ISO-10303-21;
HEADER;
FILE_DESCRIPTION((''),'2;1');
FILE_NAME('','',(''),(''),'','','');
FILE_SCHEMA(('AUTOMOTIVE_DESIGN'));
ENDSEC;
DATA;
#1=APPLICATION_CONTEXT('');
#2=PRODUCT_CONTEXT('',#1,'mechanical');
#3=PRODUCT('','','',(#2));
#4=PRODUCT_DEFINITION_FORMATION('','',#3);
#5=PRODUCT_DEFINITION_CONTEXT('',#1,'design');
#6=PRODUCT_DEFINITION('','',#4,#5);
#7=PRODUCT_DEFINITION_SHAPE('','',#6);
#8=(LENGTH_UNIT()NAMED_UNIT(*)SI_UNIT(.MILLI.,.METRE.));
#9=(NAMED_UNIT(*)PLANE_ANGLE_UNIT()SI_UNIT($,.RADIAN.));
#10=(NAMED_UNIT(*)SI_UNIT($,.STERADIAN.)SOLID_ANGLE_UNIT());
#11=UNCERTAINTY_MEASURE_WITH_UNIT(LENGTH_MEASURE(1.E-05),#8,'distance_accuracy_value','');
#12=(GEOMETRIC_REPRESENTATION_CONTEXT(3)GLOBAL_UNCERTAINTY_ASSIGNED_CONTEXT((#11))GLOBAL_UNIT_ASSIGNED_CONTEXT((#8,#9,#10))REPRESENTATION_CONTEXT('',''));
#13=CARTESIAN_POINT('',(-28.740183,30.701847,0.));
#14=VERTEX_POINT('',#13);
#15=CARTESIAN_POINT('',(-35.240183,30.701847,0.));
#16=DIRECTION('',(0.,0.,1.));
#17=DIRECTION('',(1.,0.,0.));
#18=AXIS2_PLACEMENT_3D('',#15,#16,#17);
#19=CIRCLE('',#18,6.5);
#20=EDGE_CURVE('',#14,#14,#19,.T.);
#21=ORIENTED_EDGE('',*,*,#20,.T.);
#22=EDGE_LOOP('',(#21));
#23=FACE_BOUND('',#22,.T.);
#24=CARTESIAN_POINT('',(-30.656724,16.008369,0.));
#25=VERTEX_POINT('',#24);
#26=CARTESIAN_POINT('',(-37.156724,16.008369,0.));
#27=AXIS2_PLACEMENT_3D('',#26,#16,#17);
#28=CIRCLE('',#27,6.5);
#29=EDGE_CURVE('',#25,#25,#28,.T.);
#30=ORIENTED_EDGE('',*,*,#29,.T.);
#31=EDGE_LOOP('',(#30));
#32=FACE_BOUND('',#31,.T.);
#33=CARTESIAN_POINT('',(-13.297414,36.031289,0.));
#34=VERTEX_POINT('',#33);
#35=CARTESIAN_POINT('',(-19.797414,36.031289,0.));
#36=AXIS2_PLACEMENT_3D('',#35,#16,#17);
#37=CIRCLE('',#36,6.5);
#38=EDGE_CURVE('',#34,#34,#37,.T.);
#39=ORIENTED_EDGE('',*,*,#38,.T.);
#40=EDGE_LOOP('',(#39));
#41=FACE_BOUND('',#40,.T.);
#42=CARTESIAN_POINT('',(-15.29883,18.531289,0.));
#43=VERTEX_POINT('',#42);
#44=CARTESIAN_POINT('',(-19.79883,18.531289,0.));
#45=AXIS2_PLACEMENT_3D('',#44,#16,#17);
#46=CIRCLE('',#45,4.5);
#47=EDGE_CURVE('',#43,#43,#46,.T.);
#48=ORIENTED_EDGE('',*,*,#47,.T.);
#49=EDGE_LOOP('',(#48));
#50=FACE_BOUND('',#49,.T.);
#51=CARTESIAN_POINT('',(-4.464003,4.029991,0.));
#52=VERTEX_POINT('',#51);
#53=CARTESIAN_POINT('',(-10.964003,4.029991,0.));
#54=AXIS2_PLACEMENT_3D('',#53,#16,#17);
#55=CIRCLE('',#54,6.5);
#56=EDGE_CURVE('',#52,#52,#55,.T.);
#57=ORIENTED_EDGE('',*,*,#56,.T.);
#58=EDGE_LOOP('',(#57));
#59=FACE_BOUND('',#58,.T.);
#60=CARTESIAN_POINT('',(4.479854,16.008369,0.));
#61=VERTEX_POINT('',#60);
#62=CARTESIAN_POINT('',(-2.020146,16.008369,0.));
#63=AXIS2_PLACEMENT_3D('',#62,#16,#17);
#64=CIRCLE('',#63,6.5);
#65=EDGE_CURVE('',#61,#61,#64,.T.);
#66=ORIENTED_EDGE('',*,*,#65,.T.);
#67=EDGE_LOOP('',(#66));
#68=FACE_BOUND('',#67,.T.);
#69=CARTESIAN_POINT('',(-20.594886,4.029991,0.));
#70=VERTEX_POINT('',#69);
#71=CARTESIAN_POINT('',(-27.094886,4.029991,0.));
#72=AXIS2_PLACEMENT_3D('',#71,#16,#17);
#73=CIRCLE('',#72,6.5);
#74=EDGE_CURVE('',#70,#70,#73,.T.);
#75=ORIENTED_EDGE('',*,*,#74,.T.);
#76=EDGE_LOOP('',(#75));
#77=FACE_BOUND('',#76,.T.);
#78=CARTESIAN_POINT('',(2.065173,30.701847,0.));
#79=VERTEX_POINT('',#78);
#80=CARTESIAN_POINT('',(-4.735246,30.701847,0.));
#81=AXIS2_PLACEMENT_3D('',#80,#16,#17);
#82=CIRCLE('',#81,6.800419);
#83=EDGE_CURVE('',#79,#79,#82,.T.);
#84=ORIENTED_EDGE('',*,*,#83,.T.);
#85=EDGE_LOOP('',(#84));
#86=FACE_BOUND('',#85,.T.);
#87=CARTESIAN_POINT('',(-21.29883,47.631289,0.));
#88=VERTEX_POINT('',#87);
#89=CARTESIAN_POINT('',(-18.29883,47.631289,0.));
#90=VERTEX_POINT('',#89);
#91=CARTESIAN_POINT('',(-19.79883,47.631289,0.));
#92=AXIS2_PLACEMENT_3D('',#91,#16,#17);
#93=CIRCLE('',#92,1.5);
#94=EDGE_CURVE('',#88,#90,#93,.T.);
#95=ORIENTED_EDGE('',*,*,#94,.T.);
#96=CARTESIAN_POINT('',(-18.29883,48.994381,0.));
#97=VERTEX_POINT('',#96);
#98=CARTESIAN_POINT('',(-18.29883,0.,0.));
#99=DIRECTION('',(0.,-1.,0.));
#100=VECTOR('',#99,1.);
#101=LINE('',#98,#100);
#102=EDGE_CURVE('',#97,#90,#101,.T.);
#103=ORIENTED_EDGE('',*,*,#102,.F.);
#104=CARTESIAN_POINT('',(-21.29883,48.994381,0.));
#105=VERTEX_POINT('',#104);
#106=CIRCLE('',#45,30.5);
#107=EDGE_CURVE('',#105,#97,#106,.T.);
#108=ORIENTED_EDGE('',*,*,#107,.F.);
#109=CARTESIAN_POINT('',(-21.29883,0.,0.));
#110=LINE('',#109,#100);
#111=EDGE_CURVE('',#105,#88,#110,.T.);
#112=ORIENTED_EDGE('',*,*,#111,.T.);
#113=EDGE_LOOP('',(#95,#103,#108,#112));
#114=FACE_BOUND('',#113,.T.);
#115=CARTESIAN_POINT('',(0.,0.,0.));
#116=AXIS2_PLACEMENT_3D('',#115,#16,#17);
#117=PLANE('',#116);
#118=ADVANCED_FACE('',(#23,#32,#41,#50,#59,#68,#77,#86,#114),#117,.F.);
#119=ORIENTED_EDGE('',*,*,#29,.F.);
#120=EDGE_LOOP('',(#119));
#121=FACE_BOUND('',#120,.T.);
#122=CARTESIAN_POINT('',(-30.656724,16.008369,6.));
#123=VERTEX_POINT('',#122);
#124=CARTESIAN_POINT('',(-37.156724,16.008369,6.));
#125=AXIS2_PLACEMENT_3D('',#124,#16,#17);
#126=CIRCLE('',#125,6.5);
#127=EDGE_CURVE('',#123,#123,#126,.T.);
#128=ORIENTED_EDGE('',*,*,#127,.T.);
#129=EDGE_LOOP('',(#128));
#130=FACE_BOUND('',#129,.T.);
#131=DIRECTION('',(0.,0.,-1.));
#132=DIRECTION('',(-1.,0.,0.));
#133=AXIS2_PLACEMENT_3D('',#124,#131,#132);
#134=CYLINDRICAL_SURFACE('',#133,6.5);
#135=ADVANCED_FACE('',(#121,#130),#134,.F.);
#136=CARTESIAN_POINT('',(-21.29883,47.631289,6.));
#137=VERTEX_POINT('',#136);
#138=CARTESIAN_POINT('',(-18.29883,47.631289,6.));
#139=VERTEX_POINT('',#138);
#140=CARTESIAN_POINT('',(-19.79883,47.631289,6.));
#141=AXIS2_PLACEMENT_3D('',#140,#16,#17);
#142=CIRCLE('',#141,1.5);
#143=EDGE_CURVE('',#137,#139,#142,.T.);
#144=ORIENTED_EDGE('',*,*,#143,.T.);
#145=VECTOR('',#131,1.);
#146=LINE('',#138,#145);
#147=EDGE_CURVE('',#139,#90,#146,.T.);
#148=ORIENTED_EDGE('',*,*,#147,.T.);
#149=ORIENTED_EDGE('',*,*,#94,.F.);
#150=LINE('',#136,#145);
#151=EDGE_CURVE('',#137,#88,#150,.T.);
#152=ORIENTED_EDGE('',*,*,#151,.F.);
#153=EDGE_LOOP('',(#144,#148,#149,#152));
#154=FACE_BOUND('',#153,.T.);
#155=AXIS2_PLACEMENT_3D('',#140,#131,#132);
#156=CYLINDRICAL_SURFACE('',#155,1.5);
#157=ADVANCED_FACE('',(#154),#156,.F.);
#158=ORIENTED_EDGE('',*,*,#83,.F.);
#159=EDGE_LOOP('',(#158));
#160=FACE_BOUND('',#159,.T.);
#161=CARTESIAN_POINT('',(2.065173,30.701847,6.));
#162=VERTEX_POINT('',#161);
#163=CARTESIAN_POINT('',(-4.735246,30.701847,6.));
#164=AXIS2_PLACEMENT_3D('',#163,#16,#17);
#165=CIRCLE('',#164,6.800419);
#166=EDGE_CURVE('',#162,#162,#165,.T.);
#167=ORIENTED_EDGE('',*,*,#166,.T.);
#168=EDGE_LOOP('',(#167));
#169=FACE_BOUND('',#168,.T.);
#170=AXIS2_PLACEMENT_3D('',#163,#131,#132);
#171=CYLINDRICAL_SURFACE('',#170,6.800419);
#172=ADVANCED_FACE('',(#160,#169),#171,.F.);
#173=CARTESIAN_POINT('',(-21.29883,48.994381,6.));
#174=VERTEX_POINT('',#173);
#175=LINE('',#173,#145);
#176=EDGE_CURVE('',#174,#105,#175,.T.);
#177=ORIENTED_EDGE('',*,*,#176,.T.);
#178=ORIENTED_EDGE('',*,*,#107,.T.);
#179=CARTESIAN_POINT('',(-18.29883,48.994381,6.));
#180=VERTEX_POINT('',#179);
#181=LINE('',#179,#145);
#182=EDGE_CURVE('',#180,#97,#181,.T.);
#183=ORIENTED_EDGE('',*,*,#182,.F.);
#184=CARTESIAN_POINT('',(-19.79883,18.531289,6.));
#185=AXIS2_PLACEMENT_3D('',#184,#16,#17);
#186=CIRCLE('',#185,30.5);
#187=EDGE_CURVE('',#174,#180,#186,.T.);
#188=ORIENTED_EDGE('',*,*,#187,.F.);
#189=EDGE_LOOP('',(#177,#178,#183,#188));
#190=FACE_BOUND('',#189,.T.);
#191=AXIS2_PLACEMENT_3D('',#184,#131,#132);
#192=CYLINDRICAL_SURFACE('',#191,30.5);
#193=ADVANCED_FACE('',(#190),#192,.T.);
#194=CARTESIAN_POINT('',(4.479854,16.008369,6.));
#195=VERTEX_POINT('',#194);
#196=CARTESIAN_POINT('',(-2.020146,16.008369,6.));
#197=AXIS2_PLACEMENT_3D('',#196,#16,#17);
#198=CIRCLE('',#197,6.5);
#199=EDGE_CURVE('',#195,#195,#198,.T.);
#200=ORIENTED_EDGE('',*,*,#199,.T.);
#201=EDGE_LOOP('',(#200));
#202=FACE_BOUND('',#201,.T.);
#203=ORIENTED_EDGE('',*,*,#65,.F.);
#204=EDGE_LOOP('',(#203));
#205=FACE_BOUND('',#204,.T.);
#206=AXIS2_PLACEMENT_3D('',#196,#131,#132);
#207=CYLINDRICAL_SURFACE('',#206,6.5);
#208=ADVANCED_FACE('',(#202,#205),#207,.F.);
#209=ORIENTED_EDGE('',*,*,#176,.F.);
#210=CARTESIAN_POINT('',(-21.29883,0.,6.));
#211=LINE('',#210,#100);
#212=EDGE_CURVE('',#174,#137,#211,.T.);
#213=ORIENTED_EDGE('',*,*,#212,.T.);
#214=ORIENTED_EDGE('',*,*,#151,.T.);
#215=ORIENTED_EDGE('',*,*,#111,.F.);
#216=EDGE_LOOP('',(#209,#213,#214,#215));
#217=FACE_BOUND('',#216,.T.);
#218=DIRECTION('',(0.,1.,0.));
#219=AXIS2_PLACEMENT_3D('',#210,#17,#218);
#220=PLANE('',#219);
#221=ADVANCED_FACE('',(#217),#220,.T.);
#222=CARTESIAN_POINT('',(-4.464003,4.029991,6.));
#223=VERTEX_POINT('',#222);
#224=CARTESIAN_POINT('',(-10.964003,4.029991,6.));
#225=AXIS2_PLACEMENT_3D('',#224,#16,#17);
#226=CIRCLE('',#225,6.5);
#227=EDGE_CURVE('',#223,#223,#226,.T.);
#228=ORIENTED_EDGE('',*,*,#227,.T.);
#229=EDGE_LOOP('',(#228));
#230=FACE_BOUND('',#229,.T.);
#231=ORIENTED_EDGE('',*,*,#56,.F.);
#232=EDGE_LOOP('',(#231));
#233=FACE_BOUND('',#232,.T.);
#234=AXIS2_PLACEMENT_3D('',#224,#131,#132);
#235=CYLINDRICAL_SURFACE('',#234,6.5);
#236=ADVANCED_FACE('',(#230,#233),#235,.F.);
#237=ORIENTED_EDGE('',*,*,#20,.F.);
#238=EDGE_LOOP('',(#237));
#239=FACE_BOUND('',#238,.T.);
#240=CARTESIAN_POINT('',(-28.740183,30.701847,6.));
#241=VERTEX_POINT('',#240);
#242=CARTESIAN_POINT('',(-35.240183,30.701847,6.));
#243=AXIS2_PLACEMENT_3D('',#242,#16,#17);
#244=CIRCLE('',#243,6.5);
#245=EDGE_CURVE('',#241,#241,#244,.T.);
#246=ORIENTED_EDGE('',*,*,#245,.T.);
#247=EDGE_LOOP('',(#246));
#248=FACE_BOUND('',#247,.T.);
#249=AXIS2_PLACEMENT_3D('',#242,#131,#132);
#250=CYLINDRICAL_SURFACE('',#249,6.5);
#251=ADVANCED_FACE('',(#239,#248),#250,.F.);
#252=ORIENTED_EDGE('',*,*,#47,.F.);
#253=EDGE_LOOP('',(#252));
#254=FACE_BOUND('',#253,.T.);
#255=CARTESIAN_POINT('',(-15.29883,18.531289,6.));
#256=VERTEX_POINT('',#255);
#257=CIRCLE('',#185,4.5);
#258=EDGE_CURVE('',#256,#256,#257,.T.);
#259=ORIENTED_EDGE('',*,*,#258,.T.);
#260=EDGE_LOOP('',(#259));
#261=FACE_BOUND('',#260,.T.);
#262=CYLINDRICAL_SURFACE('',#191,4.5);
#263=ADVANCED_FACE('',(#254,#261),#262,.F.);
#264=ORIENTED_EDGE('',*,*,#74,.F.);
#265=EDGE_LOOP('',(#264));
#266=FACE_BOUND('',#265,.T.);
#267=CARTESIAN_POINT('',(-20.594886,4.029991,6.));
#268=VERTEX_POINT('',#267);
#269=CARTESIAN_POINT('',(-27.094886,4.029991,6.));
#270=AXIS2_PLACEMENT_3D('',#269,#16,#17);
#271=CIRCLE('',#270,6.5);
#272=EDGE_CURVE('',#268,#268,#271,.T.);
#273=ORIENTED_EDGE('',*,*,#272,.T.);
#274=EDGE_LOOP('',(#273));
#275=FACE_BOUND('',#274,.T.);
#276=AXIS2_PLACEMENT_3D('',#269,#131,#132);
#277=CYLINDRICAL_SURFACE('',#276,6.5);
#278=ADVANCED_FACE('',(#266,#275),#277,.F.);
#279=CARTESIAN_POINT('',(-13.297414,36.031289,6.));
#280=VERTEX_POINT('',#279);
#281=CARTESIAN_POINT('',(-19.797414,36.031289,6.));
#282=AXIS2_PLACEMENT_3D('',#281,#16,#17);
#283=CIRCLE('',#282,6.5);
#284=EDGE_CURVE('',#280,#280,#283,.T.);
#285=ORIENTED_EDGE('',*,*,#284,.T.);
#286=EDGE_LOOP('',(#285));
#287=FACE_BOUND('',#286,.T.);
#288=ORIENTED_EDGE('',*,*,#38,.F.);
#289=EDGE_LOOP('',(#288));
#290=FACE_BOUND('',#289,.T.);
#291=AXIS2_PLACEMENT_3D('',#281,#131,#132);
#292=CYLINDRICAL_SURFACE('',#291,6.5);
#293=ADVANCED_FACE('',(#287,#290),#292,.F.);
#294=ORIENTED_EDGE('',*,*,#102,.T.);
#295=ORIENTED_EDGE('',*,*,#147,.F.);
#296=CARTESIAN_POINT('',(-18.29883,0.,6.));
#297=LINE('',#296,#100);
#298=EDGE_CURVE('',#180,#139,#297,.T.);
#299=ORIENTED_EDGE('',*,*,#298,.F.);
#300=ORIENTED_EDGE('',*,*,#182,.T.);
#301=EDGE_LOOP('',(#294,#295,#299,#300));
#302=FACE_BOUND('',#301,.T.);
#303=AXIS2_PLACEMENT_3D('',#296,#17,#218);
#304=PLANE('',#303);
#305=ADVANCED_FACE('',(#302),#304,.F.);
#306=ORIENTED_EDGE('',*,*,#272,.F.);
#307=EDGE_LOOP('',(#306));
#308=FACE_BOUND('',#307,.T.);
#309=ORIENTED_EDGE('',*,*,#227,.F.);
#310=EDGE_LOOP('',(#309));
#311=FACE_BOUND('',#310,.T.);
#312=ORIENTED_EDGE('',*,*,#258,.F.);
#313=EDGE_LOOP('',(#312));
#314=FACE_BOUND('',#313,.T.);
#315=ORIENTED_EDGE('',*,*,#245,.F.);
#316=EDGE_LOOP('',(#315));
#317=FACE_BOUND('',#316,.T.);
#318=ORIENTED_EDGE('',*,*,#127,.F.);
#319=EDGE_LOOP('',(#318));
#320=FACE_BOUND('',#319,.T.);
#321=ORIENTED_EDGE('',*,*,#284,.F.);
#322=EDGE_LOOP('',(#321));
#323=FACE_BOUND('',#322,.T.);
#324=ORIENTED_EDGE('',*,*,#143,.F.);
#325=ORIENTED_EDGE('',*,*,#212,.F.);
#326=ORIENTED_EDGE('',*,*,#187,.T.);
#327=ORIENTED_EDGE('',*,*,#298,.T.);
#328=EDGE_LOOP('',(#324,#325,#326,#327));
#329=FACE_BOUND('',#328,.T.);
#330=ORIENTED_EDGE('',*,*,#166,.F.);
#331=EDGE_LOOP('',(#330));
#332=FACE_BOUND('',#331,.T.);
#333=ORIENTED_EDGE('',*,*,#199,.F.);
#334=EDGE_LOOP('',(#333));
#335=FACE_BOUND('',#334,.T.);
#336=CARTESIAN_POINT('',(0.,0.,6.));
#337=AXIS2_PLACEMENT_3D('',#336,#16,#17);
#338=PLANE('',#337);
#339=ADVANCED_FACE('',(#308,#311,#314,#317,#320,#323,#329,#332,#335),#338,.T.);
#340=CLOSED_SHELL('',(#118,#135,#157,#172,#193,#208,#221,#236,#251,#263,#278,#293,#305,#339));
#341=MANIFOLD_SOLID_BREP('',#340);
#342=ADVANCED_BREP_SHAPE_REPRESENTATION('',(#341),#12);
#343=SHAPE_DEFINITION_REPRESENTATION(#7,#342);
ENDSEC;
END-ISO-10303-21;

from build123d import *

# Parameters (mm, degrees)
SZKIC1_R                    = 6.5
SZKIC1_R_2                  = 4.5
SZKIC1_R_3                  = 6.800419073
DODANIE_WYCI_GNI_CIE1_DEPTH = 6


with BuildPart() as part:
    # Szkic1 → Dodanie-wyciągnięcie1 (new body)
    with BuildSketch(Plane.XY):
        with BuildLine():
            ThreePointArc((10.70117022, 18.531289035), (2.291892255, 39.56102988), (-18.29882978, 48.994381459))
            Line((-18.29882978, 48.994381459), (-18.29882978, 47.631289035))
            ThreePointArc((-18.29882978, 47.631289035), (-19.79882978, 46.131289035), (-21.29882978, 47.631289035))
            Line((-21.29882978, 47.631289035), (-21.29882978, 48.994381459))
            ThreePointArc((-21.29882978, 48.994381459), (-40.828570624, -3.559432999), (10.70117022, 18.531289035))
        make_face()
        with Locations((-37.156723858, 16.008369355)):
            Circle(SZKIC1_R, mode=Mode.SUBTRACT)
        with Locations((-27.094885778, 4.029990689)):
            Circle(SZKIC1_R, mode=Mode.SUBTRACT)
        with Locations((-10.964002507, 4.029990689)):
            Circle(SZKIC1_R, mode=Mode.SUBTRACT)
        with Locations((-19.79882978, 18.531289035)):
            Circle(SZKIC1_R_2, mode=Mode.SUBTRACT)
        with Locations((-2.020146436, 16.008369355)):
            Circle(SZKIC1_R, mode=Mode.SUBTRACT)
        with Locations((-35.240183271, 30.701847186)):
            Circle(SZKIC1_R, mode=Mode.SUBTRACT)
        with Locations((-4.7352456, 30.701847186)):
            Circle(SZKIC1_R_3, mode=Mode.SUBTRACT)
        with Locations((-19.797413553, 36.031288978)):
            Circle(SZKIC1_R, mode=Mode.SUBTRACT)
    extrude(amount=DODANIE_WYCI_GNI_CIE1_DEPTH)


solid = part.part
